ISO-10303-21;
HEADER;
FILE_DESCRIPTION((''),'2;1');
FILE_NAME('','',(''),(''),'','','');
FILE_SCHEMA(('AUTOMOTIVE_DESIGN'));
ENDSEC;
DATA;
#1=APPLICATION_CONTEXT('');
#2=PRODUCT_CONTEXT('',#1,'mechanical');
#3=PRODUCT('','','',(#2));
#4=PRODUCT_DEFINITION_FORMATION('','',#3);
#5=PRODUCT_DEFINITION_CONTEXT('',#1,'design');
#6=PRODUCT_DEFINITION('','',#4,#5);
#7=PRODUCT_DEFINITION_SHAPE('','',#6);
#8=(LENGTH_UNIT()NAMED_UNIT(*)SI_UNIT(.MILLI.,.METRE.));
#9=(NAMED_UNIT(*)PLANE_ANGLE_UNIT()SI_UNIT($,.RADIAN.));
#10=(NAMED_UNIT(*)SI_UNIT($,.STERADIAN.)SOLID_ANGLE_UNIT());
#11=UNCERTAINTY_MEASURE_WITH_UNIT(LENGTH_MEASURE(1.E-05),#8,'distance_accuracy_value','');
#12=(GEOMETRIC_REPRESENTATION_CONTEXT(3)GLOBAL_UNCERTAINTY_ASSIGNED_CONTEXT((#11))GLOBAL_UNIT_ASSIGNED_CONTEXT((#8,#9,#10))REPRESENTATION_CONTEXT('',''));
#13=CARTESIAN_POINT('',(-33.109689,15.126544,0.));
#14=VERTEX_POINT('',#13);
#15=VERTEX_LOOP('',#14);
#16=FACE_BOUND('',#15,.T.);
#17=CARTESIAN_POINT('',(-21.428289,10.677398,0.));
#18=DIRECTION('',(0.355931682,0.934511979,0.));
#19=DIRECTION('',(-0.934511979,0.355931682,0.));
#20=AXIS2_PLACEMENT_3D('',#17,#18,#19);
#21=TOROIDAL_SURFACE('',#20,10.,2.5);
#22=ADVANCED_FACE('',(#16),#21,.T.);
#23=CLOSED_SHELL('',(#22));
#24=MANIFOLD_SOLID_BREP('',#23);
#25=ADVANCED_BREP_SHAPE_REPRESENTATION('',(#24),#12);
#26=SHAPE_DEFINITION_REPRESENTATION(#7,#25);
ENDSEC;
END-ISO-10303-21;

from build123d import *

# Parameters (mm, degrees)
SKETCH1_R = 2.5


with BuildPart() as part:
    # Sketch1 → Revolve2 (revolve)
    with BuildSketch(Plane.XY):
        with Locations((-30.773408748, 14.236715055)):
            Circle(SKETCH1_R)
    revolve(axis=Axis((-15.299927627, 26.76764076, 0), (-0.35593168157658023, -0.9345119785481982, 0)))


solid = part.part
